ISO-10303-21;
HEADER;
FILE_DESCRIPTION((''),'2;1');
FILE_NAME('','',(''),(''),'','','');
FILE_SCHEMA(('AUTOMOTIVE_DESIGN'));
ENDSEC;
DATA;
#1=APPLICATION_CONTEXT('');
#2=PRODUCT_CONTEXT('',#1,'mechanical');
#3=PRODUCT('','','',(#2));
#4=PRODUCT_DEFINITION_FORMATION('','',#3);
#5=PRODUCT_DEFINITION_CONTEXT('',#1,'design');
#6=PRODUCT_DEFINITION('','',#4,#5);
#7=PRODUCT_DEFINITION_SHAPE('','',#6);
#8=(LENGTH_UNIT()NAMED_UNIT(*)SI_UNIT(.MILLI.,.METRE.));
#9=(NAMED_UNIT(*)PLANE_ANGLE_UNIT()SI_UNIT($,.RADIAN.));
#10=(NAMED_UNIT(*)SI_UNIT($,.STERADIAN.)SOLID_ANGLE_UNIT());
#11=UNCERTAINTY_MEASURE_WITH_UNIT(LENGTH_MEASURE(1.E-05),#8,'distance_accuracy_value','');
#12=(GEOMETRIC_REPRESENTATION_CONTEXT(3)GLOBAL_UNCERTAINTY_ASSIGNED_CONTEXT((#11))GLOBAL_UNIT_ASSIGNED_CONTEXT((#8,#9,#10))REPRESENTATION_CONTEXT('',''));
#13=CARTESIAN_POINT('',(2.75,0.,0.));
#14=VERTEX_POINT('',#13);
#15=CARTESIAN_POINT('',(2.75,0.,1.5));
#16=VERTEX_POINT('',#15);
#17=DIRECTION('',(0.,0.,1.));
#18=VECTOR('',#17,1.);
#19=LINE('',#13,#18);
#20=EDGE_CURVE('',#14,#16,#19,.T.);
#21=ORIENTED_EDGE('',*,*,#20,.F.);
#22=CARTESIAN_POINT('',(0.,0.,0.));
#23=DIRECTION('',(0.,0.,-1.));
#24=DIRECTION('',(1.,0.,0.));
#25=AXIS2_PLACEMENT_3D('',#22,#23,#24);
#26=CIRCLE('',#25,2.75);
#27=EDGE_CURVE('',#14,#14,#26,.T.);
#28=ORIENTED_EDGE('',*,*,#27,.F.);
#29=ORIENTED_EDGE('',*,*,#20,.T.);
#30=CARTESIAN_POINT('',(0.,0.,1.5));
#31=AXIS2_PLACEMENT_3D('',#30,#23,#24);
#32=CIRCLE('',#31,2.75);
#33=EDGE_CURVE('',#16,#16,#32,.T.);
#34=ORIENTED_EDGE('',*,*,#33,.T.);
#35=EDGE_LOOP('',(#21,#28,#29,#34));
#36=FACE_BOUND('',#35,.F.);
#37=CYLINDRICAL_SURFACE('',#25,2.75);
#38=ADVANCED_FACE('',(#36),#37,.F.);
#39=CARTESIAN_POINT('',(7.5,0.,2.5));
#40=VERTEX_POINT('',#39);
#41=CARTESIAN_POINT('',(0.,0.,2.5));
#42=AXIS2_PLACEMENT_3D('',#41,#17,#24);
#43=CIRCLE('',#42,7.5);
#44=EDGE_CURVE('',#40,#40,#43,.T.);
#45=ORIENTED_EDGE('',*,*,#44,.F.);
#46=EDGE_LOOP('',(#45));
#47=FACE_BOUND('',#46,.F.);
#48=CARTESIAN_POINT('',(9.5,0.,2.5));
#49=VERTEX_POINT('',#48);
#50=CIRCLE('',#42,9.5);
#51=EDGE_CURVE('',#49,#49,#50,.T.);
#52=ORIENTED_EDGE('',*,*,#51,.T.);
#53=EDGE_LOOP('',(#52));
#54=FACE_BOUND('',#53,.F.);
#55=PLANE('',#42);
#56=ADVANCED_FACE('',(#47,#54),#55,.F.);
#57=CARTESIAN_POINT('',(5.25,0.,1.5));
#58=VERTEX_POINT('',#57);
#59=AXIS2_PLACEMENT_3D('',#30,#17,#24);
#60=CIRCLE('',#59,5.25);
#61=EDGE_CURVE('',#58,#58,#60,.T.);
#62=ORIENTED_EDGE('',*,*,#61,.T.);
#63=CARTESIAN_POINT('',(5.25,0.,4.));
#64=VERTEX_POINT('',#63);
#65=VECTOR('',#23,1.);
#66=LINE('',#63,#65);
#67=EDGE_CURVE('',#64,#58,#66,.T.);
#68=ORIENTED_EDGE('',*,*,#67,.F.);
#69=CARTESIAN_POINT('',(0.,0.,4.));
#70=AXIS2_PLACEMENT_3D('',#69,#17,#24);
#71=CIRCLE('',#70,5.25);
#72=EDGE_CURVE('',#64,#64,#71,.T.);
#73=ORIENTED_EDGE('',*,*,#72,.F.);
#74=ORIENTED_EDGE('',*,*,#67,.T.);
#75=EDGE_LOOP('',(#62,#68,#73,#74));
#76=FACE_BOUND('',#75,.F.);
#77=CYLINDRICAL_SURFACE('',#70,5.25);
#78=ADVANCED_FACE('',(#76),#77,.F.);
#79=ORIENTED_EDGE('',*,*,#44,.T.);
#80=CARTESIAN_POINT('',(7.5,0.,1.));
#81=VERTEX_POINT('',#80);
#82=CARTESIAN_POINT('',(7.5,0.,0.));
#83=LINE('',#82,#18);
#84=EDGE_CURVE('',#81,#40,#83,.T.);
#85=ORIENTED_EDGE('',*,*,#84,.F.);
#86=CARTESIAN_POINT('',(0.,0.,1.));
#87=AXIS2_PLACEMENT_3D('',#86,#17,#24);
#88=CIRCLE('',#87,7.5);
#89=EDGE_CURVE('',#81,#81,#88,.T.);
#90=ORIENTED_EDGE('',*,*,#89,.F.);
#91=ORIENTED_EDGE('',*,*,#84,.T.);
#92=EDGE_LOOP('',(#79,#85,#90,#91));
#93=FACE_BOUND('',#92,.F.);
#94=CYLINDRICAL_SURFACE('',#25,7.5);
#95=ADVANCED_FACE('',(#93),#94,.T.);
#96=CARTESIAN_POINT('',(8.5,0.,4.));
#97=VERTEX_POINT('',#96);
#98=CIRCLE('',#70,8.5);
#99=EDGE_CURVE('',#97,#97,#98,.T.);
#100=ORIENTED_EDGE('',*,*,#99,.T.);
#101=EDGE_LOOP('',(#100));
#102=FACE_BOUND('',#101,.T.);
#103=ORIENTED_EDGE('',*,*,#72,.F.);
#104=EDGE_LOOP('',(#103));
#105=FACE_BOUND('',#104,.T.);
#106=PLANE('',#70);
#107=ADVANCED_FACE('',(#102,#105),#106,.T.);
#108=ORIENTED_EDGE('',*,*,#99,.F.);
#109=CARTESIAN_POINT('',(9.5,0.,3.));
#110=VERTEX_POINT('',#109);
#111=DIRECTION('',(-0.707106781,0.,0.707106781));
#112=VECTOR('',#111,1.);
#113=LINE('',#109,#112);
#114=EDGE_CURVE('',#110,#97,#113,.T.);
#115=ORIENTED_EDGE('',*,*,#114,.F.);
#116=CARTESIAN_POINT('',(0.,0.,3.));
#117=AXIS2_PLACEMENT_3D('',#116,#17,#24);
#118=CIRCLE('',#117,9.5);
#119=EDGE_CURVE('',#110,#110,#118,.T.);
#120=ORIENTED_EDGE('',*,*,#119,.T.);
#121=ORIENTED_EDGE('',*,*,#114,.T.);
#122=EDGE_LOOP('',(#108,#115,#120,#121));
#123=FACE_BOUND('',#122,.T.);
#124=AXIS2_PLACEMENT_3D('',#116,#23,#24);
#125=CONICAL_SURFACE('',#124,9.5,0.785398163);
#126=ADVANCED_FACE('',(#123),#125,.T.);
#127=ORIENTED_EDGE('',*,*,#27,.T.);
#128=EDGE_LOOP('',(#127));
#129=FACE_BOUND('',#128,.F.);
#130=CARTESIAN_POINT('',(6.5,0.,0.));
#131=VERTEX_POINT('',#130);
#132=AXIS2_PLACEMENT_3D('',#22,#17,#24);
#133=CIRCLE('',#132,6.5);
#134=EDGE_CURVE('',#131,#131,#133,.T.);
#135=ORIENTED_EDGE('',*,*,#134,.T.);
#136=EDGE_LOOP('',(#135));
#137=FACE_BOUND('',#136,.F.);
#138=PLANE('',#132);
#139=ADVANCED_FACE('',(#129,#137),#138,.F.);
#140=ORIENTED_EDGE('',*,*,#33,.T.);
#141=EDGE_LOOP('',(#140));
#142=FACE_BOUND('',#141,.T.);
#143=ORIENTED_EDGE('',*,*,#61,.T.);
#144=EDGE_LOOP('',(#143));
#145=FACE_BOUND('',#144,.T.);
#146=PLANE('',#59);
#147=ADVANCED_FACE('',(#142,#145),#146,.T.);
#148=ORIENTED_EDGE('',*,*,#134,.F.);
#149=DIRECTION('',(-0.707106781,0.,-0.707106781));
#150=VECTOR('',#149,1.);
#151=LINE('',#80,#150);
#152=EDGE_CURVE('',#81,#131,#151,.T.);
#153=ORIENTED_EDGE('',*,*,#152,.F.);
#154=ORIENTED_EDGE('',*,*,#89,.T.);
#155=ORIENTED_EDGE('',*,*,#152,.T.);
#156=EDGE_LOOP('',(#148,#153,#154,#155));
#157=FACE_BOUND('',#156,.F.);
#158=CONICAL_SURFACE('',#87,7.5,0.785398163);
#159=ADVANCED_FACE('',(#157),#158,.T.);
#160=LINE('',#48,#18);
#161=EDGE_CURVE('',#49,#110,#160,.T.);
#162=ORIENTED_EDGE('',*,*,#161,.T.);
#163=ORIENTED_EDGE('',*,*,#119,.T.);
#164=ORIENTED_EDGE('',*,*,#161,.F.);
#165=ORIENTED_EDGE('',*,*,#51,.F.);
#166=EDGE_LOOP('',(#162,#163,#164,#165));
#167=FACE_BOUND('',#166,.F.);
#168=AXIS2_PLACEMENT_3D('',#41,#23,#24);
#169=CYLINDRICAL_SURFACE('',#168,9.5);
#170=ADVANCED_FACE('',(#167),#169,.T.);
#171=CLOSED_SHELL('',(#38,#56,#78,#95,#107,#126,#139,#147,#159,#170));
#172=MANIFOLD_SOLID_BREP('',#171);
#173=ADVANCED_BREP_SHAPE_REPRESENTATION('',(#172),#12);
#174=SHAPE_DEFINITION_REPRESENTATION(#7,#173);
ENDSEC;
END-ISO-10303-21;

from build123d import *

# Parameters (mm, degrees)
SKETCH_R        = 7.5
PAD_DEPTH       = 2.5
SKETCH001_R     = 9.5
PAD001_DEPTH    = 1.5
SKETCH002_R     = 5.25
POCKET_DEPTH    = 2.5
SKETCH003_R     = 2.75
POCKET001_DEPTH = 5
CHAMFER_SIZE    = 1
CHAMFER001_SIZE = 1


with BuildPart() as part:
    # Sketch → Pad (new body)
    with BuildSketch(Plane.XY):
        Circle(SKETCH_R)
    extrude(amount=PAD_DEPTH)

    # Sketch001 (on Face3 of Pad) → Pad001 (join)
    with BuildSketch(Plane.XY.offset(2.5)):
        Circle(SKETCH001_R)
    extrude(amount=PAD001_DEPTH)

    # Sketch002 (on Face5 of Pad001) → Pocket (cut)
    with BuildSketch(Plane.XY.offset(4)):
        Circle(SKETCH002_R)
    extrude(amount=-POCKET_DEPTH, mode=Mode.SUBTRACT)

    # Sketch003 (on Face2 of Pocket) → Pocket001 (cut)
    with BuildSketch(Plane(origin=(0, 0, 0), x_dir=(1, 0, 0), z_dir=(0, 0, -1))):
        Circle(SKETCH003_R)
    extrude(amount=-POCKET001_DEPTH, mode=Mode.SUBTRACT)

    # Chamfer
    chamfer_edges = [part.edges().sort_by_distance(p)[0] for p in [
        (-9.5, 0, 4),
    ]]
    chamfer(chamfer_edges, length=CHAMFER_SIZE)

    # Chamfer001
    chamfer001_edges = [part.edges().sort_by_distance(p)[0] for p in [
        (-7.5, 0, 0),
    ]]
    chamfer(chamfer001_edges, length=CHAMFER001_SIZE)


solid = part.part
